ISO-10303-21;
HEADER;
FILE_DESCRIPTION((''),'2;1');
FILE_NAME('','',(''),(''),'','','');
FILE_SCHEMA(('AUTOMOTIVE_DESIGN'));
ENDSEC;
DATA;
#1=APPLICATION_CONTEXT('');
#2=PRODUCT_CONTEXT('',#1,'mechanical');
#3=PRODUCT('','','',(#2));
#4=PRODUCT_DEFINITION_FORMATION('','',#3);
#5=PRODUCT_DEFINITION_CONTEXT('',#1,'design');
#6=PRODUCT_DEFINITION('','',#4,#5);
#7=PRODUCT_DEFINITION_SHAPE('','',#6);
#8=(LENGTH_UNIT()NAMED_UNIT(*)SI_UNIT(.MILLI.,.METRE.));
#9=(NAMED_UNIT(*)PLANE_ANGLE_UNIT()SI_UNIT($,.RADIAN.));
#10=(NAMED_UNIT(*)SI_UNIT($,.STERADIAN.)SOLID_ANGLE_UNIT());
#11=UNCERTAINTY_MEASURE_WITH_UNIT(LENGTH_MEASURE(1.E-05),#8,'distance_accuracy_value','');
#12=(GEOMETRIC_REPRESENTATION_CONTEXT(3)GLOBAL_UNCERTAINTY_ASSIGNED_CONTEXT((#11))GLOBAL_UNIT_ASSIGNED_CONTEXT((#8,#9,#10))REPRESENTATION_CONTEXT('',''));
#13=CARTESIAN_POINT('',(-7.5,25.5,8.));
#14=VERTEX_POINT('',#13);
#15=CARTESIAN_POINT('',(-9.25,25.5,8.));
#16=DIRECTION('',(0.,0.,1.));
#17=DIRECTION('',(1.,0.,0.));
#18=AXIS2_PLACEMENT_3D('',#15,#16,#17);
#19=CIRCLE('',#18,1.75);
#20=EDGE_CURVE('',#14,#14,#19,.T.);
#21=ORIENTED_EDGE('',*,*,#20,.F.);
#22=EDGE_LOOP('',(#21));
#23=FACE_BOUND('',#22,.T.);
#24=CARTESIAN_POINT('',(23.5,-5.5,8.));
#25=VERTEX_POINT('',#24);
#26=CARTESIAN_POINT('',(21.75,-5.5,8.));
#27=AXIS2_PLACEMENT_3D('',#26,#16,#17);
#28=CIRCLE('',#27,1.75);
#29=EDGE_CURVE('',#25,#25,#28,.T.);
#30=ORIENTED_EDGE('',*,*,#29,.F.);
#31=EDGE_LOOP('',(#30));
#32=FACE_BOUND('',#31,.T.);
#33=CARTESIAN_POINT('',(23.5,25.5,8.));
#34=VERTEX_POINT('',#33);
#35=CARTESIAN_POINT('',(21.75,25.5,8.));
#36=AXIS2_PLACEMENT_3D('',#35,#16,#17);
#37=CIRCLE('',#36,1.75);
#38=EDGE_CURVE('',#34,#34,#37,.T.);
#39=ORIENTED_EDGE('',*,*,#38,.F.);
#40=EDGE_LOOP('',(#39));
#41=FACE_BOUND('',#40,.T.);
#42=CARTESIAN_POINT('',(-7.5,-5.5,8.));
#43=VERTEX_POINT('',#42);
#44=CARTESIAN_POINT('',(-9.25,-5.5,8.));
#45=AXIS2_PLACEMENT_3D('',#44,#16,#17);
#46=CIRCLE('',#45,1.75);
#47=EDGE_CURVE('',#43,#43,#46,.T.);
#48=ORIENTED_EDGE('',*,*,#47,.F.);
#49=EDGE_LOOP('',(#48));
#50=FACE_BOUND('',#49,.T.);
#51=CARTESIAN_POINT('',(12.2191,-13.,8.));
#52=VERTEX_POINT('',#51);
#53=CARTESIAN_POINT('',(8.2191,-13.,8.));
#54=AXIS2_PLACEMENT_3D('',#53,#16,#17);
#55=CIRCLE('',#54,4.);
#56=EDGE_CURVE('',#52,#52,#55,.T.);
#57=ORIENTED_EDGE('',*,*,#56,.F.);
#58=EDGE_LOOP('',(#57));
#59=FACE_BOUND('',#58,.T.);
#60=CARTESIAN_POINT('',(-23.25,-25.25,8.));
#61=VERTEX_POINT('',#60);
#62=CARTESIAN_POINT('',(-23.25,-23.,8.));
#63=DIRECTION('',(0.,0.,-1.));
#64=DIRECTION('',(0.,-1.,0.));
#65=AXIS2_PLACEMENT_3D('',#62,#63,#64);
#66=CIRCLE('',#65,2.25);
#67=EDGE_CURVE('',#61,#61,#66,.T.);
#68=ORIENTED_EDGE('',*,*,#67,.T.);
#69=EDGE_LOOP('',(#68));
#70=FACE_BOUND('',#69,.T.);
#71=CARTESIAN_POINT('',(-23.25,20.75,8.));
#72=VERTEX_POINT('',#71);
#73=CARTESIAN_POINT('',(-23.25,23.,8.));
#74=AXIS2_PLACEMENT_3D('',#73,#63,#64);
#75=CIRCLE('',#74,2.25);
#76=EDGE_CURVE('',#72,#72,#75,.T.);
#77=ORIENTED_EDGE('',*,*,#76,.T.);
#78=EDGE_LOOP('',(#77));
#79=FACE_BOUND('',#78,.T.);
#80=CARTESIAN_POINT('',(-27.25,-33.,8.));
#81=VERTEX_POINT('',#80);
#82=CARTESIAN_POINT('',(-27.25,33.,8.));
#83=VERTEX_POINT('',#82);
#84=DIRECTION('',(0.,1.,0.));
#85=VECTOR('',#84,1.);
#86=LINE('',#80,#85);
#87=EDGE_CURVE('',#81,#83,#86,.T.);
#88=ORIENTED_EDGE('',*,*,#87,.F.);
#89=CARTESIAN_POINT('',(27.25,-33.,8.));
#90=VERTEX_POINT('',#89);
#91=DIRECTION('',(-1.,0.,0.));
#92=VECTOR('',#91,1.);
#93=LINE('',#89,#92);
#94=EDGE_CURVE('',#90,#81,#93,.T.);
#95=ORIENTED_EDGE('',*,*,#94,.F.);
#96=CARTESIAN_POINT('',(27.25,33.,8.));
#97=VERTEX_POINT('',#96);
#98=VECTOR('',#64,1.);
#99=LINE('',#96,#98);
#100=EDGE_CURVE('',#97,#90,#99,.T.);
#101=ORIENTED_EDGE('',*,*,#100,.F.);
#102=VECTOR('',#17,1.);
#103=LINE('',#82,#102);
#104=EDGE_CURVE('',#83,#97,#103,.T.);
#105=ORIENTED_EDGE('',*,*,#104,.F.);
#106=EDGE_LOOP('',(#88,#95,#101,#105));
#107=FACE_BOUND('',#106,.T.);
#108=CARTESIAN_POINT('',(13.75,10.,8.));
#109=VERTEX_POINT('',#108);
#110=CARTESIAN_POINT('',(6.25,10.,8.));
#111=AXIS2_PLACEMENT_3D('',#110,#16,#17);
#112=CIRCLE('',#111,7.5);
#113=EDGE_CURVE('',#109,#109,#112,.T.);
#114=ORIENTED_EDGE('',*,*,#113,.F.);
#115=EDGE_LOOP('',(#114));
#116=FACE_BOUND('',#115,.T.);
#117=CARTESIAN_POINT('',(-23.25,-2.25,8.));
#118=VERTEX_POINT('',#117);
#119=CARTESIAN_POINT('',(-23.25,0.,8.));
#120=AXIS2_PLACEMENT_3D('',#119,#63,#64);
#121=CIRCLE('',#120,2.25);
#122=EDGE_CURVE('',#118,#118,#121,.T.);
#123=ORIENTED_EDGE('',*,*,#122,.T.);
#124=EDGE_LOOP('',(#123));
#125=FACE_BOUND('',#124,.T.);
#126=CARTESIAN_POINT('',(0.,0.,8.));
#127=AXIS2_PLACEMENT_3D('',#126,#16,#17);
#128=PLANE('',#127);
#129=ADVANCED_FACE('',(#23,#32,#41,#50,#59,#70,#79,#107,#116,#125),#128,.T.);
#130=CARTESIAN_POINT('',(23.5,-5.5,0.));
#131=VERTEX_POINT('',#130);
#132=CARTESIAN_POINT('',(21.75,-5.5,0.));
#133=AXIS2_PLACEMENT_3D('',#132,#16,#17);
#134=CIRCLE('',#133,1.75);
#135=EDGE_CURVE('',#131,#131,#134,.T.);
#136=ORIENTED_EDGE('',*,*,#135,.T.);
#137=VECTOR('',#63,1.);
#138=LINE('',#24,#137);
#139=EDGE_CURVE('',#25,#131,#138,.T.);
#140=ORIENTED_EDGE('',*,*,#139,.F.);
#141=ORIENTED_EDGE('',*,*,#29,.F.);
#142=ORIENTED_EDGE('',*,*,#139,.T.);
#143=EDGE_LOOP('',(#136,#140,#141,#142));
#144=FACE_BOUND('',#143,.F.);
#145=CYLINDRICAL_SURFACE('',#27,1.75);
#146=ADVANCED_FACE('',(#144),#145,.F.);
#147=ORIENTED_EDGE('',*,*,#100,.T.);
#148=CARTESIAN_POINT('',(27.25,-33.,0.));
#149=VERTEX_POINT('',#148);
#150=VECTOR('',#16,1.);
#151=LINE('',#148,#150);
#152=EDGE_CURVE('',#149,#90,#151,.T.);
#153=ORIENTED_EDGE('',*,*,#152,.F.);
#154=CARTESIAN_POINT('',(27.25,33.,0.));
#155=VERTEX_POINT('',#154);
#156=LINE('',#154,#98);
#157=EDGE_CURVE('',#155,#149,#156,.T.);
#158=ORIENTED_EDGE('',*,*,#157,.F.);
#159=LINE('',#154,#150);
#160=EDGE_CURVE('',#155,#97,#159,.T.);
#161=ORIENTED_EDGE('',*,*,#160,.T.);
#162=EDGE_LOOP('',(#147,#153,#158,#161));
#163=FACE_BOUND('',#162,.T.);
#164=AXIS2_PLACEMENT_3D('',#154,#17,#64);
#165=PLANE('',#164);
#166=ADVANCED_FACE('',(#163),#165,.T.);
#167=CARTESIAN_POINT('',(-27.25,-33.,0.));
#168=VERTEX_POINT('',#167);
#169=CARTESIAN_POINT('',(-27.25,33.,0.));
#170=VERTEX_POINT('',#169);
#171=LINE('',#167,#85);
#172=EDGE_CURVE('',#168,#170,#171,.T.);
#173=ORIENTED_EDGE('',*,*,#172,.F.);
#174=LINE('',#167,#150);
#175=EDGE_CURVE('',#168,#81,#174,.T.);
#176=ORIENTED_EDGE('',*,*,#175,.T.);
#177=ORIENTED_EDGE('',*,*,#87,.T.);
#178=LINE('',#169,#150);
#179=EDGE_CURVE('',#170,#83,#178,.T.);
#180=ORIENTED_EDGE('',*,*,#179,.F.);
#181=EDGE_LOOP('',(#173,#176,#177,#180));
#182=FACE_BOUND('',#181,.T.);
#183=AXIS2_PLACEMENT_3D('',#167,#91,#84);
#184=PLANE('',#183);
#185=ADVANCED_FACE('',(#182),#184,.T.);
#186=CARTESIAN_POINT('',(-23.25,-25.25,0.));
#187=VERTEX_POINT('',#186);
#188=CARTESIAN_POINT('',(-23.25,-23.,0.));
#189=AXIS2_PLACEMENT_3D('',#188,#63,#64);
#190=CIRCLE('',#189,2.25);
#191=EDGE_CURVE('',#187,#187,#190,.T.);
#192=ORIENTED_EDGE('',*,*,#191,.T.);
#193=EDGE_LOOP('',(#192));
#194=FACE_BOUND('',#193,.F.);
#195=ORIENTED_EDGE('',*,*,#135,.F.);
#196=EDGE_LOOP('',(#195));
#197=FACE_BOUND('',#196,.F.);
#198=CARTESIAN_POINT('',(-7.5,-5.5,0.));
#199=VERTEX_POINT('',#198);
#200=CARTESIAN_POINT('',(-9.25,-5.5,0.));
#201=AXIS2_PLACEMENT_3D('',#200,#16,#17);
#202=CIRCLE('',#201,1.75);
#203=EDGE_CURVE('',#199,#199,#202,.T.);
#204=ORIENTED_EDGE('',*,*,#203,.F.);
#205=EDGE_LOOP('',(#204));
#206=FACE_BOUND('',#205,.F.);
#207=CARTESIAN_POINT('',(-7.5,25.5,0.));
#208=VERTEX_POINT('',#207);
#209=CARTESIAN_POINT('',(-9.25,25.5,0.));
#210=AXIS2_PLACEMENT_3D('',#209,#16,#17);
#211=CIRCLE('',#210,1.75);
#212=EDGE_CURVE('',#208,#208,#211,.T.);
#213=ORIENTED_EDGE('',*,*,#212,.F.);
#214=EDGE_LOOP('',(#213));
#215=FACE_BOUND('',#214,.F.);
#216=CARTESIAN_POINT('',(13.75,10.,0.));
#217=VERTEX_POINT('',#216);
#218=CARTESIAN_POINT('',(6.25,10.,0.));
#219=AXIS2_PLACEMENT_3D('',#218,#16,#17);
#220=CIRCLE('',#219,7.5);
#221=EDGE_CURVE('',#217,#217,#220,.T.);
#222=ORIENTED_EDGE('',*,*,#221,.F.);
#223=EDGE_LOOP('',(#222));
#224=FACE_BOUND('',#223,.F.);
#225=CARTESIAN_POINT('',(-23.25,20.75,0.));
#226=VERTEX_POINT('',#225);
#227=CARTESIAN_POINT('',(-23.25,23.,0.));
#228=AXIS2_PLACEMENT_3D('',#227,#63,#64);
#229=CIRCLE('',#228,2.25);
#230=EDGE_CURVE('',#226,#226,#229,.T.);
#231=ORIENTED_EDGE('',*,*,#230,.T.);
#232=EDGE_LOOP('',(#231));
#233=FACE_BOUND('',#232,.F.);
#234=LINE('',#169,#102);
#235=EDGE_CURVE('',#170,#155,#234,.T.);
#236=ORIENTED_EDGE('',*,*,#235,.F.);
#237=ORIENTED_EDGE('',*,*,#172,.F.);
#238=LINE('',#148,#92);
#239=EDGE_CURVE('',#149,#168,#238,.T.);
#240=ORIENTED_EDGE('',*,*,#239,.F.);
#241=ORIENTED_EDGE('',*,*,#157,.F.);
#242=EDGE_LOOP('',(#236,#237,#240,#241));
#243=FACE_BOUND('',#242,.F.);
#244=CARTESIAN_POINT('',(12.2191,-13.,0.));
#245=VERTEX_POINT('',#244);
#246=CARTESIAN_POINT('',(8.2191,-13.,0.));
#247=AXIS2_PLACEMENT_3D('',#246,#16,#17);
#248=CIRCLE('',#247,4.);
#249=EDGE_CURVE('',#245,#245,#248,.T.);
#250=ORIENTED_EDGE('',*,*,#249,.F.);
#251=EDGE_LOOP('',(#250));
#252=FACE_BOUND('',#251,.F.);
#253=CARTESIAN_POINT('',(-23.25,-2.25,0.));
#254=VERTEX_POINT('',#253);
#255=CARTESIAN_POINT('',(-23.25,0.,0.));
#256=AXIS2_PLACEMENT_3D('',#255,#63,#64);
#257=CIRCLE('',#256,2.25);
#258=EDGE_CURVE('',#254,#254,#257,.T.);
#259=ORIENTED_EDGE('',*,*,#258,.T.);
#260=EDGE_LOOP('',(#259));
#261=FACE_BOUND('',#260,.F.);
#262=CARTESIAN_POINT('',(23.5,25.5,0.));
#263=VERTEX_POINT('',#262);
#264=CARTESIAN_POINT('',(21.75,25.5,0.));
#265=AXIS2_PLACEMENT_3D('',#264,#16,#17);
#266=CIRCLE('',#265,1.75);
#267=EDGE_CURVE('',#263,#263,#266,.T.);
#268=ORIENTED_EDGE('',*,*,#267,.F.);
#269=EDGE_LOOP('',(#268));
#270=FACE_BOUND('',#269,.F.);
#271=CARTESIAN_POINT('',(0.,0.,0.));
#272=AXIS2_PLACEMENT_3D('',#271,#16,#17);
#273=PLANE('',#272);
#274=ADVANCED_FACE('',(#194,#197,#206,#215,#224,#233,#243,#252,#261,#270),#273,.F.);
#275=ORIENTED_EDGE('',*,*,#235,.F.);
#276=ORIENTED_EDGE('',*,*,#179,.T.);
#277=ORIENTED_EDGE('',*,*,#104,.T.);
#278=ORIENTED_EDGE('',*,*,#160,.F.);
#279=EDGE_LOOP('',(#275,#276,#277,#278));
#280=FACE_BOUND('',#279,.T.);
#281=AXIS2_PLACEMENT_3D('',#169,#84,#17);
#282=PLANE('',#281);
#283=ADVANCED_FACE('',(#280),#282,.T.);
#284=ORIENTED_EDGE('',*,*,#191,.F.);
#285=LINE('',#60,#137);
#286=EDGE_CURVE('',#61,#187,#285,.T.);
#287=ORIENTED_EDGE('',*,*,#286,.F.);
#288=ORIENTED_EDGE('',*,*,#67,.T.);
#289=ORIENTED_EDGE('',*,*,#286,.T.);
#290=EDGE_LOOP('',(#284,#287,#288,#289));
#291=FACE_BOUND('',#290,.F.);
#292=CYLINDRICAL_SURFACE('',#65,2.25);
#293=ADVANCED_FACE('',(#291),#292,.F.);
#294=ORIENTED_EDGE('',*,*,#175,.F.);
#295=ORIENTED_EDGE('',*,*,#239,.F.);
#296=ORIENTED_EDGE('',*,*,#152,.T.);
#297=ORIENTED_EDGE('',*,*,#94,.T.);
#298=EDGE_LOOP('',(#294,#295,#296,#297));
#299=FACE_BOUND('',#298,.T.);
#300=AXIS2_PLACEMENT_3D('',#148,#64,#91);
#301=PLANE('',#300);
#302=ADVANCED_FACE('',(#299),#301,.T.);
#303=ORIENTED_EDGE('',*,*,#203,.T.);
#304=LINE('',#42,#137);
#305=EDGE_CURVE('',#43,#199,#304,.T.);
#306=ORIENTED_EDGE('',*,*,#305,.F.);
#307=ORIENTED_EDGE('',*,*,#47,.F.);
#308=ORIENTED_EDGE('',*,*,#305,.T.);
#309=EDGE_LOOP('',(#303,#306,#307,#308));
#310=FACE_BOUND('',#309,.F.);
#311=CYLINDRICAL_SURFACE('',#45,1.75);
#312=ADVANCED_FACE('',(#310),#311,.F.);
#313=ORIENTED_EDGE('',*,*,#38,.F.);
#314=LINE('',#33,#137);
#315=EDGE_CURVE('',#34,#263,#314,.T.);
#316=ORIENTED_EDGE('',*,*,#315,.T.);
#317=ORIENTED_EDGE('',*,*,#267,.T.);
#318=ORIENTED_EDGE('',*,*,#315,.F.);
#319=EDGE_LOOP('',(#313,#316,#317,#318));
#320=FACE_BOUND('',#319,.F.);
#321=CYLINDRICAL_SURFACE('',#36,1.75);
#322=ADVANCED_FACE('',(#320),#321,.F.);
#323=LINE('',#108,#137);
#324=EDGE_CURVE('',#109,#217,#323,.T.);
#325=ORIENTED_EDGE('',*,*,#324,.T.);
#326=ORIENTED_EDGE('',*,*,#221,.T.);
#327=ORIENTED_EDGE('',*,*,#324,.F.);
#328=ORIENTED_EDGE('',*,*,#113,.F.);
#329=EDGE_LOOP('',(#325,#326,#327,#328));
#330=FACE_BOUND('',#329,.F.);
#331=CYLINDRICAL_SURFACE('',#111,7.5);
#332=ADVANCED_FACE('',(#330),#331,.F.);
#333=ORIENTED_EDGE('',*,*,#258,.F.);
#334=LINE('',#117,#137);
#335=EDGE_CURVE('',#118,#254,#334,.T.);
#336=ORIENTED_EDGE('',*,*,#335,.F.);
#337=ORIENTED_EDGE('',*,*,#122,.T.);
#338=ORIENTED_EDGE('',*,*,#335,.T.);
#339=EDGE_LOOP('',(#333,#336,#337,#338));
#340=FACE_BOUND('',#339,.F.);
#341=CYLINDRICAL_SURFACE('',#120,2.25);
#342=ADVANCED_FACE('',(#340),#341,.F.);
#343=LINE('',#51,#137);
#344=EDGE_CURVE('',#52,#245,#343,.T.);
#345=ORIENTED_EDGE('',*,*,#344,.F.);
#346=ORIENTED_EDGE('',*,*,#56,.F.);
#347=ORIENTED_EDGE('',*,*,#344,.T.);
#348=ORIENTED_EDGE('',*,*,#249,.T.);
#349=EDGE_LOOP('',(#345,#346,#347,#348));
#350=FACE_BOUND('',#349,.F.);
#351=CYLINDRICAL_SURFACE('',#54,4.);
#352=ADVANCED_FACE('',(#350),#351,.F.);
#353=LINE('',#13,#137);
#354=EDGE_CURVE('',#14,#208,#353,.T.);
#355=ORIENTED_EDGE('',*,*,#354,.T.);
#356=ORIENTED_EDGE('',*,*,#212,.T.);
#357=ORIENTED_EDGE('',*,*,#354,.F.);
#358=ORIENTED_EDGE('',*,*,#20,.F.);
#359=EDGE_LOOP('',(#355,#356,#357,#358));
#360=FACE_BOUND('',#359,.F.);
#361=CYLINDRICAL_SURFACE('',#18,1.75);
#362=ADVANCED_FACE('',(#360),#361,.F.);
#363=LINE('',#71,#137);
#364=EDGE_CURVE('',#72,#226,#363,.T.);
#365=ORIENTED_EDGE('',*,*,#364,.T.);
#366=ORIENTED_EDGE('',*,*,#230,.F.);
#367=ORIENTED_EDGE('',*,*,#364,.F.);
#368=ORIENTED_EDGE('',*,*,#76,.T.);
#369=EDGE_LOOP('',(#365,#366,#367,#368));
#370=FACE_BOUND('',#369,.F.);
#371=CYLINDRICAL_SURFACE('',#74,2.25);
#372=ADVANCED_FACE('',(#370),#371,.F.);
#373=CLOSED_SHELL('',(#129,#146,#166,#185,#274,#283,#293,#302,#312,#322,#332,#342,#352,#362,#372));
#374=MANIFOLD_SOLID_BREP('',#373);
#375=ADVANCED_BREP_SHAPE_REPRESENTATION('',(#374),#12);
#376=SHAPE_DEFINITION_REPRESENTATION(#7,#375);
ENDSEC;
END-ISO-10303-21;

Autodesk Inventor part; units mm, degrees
ref_plane "YZ Plane" through (0, 0, 0) normal (1, 0, 0) x (0, 1, 0)
ref_plane "XZ Plane" through (0, 0, 0) normal (0, 1, 0) x (-1, 0, 0)
ref_plane "XY Plane" through (0, 0, 0) normal (0, 0, 1) x (1, 0, 0)
sketch "Sketch1" plane through (0, 0, 0) normal (0, 0, 1) x (1, 0, 0)
  line L0 (-27.25, 33) -> (27.25, 33)
  line L1 (27.25, 33) -> (27.25, -33)
  line L2 (27.25, -33) -> (-27.25, -33)
  line L3 (-27.25, -33) -> (-27.25, 33)
  point P0 (0, 0)
  point P1 (0, 33)
  point P2 (-27.25, 0)
  dimension "d0" = 54.5
  dimension "d1" = 66
extrude "Extrusion1" add sketch "Sketch1" along normal blind 8
sketch "Sketch2" plane through (0, 0, 8) normal (0, 0, 1) x (1, 0, 0)
  circle A0 centre (6.25, 10) radius 7.5
  line L0 (27.25, 33) -> (-27.25, 33) projected
  line L1 (-27.25, 33) -> (-27.25, -33) projected
  line L2 (27.25, -33) -> (27.25, 33) projected
  line L3 (21.75, -5.5) -> (-9.25, -5.5) construction
  line L4 (-9.25, -5.5) -> (-9.25, 25.5) construction
  line L5 (-9.25, 25.5) -> (21.75, 25.5) construction
  line L6 (21.75, 25.5) -> (21.75, -5.5) construction
  line L7 (21.75, -5.5) -> (-9.25, 25.5) construction
  line L8 (-9.25, -5.5) -> (21.75, 25.5) construction
  circle A1 centre (-9.25, -5.5) radius 1.75
  circle A2 centre (-9.25, 25.5) radius 1.75
  circle A3 centre (21.75, 25.5) radius 1.75
  circle A4 centre (21.75, -5.5) radius 1.75
  point P0 (0, 33)
  point P1 (-27.25, 0)
  dimension "d17" = 15
  dimension "d19" = 21
  dimension "d20" = 23
  dimension "d22" = 31
  dimension "d23" = 3.5
extrude "Extrusion2" cut sketch "Sketch2" against normal through all
sketch "Sketch4" plane through (0, 0, 8) normal (0, 0, 1) x (1, 0, 0)
  circle A0 centre (8.2191, -13) radius 4
  line L0 (-27.25, -33) -> (27.25, -33) projected
  line L1 (27.25, -33) -> (27.25, 33) projected
  point P0 (0, 0)
  dimension "d24" = 8
  dimension "d25" = 20
  dimension "d26" = 19.0309
extrude "Extrusion4" cut sketch "Sketch4" against normal through all
sketch "Sketch5" plane through (0, 0, 8) normal (0, 0, 1) x (1, 0, 0)
  line L0 (-27.25, 33) -> (-27.25, -33) projected
  point P0 (0, 0)
  point P1 (-23.25, 0)
  point P2 (-23.25, -23)
  point P3 (-23.25, 23)
  dimension "d29" = 4
  dimension "d30" = 23
  dimension "d31" = 23
hole "Hole1" at (-23.25, 0, 8) at (-23.25, -23, 8) at (-23.25, 23, 8) direction (0, 0, -1) diameter 4.5 end through all
equation "\"d31\" = d30"
properties part number "0005-10-007Suport nema"
